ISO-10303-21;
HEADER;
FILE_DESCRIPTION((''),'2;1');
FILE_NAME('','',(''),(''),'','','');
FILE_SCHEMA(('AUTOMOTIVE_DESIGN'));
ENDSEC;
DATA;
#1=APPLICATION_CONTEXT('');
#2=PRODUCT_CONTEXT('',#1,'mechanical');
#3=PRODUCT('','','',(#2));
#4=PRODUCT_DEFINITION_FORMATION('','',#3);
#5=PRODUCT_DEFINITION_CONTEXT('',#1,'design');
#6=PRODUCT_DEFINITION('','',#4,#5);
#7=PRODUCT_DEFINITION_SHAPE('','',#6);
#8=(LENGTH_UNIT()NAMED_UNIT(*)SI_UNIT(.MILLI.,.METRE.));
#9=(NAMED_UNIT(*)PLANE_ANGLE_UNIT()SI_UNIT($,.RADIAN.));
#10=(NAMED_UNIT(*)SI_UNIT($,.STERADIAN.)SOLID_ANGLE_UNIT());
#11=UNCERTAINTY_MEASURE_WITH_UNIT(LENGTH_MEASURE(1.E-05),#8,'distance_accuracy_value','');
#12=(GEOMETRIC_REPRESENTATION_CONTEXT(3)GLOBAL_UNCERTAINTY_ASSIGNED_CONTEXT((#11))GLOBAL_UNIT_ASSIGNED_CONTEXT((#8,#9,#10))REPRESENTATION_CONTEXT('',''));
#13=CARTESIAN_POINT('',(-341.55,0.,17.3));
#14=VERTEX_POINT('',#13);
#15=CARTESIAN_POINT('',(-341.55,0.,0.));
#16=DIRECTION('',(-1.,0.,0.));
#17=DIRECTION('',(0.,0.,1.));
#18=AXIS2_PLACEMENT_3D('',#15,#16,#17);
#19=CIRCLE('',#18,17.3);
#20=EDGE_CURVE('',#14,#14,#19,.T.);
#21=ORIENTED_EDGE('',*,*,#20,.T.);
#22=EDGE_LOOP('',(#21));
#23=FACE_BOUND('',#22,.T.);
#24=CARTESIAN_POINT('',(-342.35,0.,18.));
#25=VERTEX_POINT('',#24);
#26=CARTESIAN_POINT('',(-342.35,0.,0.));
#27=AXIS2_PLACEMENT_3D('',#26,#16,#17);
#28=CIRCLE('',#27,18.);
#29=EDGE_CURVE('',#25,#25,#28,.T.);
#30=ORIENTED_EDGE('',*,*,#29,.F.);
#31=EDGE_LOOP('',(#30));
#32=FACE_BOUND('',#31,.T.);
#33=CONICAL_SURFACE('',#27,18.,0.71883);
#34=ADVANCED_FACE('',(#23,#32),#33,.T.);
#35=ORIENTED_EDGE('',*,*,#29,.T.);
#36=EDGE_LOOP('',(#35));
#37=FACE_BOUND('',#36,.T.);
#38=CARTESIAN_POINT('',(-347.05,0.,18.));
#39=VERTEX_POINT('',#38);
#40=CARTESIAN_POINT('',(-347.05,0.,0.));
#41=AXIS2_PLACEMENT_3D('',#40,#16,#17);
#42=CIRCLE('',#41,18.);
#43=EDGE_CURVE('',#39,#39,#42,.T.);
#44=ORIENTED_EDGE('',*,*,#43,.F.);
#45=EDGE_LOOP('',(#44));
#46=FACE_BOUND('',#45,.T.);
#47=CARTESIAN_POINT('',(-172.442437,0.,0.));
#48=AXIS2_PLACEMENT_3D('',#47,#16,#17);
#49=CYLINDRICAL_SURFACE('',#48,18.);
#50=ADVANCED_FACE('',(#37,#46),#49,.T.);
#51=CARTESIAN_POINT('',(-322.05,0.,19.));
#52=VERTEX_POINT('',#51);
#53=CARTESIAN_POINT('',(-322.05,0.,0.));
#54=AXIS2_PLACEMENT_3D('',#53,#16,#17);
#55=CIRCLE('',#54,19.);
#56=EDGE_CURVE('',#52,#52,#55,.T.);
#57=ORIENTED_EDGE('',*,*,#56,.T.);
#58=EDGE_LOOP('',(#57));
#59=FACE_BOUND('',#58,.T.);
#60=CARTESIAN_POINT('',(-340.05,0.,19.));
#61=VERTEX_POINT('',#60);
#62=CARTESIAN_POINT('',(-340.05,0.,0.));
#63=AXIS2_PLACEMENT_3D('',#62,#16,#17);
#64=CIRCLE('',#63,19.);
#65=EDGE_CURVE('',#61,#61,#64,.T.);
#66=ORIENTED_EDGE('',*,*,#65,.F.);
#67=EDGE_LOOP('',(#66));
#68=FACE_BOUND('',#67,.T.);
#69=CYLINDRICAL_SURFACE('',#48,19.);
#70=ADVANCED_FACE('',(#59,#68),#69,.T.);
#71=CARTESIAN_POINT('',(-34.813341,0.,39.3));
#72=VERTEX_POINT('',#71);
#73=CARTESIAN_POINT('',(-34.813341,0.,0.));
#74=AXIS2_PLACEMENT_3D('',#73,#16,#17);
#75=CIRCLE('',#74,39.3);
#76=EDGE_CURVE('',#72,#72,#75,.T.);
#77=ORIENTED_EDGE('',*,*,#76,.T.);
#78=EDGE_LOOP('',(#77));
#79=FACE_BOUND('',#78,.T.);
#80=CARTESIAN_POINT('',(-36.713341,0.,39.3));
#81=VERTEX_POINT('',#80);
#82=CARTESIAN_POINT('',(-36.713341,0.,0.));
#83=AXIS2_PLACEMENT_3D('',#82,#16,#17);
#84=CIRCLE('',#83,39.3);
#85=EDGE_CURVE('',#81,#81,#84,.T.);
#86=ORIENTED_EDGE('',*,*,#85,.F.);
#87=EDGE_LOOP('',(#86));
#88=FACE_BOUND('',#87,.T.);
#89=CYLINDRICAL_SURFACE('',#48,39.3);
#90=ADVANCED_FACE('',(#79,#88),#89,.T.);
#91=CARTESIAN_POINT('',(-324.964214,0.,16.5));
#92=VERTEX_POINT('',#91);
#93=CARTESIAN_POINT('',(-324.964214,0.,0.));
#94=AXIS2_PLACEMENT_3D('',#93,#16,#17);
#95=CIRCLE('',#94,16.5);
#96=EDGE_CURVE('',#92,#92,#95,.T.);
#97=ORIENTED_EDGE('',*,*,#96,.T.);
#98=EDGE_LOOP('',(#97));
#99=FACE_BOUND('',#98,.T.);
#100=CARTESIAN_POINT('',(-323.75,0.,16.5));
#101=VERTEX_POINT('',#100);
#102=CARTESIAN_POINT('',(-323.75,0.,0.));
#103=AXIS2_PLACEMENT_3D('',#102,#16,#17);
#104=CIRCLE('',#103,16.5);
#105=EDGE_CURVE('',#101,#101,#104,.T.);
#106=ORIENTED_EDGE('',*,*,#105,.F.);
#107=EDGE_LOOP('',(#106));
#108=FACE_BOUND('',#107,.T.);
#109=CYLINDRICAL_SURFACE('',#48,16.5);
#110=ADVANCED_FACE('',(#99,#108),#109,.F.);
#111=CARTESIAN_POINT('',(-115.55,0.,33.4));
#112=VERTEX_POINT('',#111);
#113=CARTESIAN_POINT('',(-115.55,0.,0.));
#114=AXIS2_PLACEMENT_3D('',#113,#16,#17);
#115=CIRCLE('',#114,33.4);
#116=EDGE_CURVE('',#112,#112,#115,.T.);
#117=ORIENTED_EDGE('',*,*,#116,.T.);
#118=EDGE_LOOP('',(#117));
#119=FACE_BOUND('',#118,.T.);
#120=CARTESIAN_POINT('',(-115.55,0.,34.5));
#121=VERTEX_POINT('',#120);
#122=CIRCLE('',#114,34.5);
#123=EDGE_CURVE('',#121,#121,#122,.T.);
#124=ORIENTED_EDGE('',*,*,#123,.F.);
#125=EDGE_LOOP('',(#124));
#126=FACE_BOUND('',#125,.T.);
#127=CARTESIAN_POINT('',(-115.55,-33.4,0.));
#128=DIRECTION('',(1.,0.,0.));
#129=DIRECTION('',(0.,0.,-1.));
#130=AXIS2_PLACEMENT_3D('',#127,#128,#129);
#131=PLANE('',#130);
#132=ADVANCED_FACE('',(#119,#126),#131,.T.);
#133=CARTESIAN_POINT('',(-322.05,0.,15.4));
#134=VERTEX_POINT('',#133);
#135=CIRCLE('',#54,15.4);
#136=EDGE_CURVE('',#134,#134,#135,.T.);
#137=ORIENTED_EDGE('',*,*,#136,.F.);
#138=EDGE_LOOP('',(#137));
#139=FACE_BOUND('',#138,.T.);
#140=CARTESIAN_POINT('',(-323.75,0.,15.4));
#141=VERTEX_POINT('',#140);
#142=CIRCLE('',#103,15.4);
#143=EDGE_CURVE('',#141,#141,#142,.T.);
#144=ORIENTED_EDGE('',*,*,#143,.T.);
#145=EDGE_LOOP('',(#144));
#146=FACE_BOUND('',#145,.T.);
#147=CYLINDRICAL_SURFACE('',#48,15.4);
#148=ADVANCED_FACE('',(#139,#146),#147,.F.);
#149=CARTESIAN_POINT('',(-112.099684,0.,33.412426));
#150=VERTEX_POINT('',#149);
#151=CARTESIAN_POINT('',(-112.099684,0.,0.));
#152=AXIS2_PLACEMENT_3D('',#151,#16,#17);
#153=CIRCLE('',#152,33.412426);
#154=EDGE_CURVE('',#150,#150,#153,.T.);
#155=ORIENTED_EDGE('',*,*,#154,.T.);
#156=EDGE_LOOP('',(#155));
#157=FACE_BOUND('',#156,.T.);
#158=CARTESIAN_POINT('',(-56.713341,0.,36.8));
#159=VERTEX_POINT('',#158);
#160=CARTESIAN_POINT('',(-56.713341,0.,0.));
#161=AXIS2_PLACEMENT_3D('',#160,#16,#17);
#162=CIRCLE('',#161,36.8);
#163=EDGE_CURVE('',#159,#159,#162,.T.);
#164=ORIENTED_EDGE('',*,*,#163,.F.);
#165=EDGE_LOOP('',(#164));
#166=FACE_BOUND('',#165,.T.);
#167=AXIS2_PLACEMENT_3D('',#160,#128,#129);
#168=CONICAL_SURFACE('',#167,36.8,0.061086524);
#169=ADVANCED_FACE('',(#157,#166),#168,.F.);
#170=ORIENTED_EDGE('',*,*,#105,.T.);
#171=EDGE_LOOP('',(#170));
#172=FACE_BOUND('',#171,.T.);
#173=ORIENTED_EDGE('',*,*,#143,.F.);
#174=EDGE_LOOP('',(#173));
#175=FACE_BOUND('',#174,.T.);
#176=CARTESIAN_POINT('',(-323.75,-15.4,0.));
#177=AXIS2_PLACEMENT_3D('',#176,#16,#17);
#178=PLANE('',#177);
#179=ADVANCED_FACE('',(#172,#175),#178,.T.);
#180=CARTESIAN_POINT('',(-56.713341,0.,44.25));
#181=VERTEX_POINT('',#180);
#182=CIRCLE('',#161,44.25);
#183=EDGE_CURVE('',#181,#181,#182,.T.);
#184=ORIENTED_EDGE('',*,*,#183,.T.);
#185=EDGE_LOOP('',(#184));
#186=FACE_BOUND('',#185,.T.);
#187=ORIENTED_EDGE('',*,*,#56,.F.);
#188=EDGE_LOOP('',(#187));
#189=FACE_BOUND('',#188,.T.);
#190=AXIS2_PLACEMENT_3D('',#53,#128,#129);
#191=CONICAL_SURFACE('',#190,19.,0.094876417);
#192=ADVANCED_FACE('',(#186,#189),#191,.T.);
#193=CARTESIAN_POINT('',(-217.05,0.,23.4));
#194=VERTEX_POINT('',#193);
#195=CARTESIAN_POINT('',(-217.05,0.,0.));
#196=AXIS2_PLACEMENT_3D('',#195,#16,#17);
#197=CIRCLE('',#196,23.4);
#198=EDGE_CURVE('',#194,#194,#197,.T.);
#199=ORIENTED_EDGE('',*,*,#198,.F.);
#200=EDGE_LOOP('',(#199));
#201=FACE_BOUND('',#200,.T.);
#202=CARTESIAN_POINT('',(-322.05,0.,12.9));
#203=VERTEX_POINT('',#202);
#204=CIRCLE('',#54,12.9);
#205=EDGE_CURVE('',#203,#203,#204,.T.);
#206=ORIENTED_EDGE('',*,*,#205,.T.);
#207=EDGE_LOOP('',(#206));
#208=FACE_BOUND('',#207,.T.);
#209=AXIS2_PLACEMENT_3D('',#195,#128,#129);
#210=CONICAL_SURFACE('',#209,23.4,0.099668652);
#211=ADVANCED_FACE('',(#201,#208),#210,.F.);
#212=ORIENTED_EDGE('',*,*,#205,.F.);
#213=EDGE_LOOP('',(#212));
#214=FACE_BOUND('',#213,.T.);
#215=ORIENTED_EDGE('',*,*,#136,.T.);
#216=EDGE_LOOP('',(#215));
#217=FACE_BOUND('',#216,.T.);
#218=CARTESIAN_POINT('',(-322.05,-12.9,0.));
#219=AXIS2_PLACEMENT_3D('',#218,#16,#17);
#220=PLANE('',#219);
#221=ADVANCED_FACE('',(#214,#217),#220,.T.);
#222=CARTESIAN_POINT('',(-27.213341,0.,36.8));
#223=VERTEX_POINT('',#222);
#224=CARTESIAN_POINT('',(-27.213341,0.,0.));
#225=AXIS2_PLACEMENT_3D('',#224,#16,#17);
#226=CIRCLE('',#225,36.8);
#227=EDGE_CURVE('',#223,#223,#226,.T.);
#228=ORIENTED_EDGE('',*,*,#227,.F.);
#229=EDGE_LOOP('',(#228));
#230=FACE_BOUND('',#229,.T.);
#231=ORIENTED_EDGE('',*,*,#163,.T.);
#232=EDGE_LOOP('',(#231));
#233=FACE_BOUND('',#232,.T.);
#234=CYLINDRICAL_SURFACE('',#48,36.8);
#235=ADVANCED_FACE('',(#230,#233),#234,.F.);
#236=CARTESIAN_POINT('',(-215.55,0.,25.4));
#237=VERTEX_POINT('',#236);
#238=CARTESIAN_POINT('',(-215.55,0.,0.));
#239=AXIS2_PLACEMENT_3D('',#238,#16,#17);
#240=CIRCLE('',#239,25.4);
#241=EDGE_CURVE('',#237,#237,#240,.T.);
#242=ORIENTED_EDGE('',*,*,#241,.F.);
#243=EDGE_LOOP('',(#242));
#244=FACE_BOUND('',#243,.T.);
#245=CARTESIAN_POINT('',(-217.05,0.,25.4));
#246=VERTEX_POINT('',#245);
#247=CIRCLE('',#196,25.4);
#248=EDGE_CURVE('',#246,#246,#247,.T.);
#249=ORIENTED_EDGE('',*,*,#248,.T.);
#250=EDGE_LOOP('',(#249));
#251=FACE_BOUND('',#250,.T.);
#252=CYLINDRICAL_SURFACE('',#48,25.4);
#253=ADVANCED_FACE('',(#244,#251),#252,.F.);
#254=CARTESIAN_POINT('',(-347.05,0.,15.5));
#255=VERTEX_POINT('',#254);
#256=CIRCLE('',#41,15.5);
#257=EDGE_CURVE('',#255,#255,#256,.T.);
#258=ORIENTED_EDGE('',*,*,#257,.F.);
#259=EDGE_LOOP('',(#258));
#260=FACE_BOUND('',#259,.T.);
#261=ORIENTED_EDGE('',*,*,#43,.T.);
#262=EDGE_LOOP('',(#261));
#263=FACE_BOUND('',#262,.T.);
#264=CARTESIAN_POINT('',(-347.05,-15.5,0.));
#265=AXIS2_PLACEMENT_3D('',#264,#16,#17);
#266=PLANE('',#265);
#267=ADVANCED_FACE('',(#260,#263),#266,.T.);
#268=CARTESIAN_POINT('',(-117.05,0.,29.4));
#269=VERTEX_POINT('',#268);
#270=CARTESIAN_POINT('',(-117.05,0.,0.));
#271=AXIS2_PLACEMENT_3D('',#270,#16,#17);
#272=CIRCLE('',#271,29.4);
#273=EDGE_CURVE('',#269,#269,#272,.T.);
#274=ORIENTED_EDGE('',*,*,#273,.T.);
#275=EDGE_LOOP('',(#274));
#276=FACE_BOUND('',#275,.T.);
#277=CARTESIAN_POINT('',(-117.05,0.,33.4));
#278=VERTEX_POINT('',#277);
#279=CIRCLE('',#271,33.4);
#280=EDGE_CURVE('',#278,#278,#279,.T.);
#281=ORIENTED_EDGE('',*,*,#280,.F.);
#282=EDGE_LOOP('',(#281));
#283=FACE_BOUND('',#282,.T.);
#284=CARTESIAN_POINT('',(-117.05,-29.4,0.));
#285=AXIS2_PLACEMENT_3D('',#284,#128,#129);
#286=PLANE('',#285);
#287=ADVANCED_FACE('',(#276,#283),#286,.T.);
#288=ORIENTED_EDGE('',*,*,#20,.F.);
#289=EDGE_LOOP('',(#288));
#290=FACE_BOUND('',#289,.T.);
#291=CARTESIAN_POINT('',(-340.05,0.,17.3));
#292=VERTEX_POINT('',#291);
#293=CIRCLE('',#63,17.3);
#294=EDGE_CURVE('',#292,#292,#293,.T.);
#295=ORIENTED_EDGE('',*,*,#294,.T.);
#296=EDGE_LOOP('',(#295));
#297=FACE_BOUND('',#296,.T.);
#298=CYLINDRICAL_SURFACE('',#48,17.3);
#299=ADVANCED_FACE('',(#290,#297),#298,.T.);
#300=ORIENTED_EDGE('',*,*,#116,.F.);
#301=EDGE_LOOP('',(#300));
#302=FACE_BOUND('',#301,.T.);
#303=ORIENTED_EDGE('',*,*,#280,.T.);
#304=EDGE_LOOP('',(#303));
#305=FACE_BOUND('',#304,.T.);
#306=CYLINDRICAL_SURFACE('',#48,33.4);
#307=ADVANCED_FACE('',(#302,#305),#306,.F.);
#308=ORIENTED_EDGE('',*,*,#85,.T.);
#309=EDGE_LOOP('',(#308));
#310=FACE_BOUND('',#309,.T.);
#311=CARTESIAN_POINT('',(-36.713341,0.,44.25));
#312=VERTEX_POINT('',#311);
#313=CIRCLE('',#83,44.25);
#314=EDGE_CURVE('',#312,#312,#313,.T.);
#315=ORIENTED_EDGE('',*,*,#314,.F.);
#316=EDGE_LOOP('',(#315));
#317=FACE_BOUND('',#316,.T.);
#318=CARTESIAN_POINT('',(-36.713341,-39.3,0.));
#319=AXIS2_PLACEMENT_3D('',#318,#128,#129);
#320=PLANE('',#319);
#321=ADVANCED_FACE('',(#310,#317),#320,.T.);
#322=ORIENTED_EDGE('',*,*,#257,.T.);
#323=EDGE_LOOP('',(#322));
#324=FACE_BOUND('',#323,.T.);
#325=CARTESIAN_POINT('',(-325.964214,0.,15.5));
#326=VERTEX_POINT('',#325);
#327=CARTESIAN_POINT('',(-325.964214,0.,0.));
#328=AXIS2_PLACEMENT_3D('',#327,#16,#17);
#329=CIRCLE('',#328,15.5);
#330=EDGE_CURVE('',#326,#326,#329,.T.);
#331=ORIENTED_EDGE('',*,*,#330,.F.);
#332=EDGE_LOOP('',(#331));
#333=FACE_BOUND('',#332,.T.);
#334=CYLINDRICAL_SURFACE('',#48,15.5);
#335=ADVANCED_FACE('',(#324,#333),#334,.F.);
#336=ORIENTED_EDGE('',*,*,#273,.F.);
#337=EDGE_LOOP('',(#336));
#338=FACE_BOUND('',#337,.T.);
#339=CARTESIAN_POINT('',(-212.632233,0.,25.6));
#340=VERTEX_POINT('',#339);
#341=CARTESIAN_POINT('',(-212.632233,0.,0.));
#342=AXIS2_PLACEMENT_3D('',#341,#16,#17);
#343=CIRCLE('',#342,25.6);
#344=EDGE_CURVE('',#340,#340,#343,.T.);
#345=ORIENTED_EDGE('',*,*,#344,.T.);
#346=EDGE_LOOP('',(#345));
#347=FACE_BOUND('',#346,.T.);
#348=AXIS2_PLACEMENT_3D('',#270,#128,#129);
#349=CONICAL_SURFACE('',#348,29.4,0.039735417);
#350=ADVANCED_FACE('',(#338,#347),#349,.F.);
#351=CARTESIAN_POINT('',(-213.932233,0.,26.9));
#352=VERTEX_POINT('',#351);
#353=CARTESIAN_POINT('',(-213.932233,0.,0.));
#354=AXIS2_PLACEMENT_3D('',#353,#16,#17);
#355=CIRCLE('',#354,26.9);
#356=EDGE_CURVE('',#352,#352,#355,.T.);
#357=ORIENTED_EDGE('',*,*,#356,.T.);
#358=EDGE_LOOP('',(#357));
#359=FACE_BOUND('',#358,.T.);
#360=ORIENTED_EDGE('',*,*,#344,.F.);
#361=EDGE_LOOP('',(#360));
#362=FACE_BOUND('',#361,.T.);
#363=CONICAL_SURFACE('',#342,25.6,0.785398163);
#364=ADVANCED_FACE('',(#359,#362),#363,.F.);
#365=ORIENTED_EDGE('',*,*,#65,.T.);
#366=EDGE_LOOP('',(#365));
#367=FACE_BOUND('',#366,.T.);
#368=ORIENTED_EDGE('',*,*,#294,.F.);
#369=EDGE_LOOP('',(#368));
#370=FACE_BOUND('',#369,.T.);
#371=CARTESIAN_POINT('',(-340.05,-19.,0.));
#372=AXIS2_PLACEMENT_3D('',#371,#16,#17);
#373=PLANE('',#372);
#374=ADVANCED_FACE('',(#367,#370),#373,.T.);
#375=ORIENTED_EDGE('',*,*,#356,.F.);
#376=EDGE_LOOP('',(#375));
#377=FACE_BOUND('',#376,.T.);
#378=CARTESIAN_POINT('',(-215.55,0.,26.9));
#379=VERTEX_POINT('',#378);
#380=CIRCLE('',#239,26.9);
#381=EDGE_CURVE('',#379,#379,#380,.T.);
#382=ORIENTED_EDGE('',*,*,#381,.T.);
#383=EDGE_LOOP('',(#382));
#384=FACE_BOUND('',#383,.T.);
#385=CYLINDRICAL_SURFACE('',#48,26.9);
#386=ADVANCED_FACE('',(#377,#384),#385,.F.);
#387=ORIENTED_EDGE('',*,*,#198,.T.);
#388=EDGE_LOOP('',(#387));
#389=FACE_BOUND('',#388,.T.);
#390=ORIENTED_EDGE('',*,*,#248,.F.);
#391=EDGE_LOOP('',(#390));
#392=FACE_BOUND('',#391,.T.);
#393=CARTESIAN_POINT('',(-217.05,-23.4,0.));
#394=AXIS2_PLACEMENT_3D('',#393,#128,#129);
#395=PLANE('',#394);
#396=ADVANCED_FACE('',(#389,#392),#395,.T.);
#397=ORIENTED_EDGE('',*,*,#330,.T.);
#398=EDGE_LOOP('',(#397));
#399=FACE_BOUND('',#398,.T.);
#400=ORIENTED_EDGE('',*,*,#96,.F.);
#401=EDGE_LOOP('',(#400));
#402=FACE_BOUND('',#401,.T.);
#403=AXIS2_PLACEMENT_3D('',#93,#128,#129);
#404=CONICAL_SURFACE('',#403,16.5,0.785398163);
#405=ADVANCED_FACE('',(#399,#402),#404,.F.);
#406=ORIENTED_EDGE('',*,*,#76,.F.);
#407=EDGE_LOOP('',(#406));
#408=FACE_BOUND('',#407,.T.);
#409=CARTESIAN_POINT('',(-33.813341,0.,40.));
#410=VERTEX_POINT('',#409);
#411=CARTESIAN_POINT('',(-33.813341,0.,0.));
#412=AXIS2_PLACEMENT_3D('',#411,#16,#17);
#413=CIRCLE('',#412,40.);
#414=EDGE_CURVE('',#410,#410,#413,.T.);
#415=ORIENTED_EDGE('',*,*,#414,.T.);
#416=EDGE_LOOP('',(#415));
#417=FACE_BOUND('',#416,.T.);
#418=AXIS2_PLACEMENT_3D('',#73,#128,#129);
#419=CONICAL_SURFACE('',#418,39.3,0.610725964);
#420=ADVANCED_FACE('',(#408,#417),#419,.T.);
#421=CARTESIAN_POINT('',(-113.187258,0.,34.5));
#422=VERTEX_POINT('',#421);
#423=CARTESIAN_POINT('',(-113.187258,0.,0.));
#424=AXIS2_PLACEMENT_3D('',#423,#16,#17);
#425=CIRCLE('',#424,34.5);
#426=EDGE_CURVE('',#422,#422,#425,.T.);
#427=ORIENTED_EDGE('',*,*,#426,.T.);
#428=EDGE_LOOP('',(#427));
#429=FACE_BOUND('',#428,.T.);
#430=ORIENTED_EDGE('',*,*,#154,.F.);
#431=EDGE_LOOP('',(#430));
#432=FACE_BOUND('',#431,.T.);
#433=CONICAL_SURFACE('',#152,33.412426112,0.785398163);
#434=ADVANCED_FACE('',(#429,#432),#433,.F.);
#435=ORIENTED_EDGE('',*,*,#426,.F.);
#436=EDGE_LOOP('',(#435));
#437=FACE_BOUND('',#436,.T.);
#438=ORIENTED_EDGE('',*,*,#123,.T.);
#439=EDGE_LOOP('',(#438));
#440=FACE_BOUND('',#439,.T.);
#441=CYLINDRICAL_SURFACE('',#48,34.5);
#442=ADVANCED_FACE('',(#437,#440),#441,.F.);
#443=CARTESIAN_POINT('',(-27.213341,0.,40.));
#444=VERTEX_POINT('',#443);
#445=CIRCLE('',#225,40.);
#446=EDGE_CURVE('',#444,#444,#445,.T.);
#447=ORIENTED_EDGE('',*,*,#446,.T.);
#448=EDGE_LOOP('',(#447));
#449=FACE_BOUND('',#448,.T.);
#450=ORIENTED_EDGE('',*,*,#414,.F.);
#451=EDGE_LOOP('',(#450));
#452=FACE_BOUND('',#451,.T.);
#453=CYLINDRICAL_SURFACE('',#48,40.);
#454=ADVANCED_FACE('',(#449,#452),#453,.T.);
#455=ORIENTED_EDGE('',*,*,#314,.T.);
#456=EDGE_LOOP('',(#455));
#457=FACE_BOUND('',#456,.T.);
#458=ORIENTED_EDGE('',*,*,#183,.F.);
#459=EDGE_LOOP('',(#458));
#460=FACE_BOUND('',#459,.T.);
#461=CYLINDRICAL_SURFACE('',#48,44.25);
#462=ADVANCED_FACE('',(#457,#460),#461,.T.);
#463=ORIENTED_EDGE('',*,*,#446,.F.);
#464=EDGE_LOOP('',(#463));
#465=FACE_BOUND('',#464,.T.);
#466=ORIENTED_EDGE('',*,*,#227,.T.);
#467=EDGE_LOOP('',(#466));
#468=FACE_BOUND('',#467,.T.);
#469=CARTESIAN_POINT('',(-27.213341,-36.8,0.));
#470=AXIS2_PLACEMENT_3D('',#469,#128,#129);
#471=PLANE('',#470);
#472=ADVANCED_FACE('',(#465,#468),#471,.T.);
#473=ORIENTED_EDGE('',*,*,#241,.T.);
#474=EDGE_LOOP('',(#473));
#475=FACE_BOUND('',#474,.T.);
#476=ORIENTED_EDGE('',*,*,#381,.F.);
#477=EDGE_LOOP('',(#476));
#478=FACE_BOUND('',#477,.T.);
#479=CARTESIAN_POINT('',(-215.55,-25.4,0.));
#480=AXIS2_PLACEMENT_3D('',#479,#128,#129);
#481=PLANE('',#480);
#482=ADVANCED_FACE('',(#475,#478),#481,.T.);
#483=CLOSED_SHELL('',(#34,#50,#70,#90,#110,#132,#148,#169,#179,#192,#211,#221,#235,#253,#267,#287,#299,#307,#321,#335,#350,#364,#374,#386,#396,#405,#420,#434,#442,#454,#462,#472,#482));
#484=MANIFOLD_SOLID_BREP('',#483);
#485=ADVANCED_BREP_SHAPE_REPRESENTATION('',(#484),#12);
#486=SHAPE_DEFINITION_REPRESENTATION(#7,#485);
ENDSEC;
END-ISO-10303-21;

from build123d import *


with BuildPart() as part:
    # Skica1 → Rotovat1 (revolve)
    with BuildSketch(Plane.XY):
        Polygon((-36.713340937, -44.25), (-56.713340937, -44.25), (-322.05, -19), (-340.05, -19), (-340.05, -17.3), (-341.55, -17.3), (-342.35, -18), (-347.05, -18), (-347.05, -15.5), (-345.05, -15.5), (-325.964213562, -15.5), (-324.964213562, -16.5), (-323.75, -16.5), (-323.75, -15.4), (-322.05, -15.4), (-322.05, -12.9), (-217.05, -23.4), (-217.05, -25.4), (-215.55, -25.4), (-215.55, -26.9), (-213.932233047, -26.9), (-212.632233047, -25.6), (-117.05, -29.4), (-117.05, -33.4), (-115.55, -33.4), (-115.55, -34.5), (-113.1872583, -34.5), (-112.099684413, -33.412426112), (-56.713340937, -36.8), (-27.213340937, -36.8), (-27.213340937, -40), (-33.813340937, -40), (-34.813340937, -39.3), (-36.713340937, -39.3), align=None)
    revolve(axis=Axis((-172.442437001, 0, 0), (1, 0, 0)))


solid = part.part
